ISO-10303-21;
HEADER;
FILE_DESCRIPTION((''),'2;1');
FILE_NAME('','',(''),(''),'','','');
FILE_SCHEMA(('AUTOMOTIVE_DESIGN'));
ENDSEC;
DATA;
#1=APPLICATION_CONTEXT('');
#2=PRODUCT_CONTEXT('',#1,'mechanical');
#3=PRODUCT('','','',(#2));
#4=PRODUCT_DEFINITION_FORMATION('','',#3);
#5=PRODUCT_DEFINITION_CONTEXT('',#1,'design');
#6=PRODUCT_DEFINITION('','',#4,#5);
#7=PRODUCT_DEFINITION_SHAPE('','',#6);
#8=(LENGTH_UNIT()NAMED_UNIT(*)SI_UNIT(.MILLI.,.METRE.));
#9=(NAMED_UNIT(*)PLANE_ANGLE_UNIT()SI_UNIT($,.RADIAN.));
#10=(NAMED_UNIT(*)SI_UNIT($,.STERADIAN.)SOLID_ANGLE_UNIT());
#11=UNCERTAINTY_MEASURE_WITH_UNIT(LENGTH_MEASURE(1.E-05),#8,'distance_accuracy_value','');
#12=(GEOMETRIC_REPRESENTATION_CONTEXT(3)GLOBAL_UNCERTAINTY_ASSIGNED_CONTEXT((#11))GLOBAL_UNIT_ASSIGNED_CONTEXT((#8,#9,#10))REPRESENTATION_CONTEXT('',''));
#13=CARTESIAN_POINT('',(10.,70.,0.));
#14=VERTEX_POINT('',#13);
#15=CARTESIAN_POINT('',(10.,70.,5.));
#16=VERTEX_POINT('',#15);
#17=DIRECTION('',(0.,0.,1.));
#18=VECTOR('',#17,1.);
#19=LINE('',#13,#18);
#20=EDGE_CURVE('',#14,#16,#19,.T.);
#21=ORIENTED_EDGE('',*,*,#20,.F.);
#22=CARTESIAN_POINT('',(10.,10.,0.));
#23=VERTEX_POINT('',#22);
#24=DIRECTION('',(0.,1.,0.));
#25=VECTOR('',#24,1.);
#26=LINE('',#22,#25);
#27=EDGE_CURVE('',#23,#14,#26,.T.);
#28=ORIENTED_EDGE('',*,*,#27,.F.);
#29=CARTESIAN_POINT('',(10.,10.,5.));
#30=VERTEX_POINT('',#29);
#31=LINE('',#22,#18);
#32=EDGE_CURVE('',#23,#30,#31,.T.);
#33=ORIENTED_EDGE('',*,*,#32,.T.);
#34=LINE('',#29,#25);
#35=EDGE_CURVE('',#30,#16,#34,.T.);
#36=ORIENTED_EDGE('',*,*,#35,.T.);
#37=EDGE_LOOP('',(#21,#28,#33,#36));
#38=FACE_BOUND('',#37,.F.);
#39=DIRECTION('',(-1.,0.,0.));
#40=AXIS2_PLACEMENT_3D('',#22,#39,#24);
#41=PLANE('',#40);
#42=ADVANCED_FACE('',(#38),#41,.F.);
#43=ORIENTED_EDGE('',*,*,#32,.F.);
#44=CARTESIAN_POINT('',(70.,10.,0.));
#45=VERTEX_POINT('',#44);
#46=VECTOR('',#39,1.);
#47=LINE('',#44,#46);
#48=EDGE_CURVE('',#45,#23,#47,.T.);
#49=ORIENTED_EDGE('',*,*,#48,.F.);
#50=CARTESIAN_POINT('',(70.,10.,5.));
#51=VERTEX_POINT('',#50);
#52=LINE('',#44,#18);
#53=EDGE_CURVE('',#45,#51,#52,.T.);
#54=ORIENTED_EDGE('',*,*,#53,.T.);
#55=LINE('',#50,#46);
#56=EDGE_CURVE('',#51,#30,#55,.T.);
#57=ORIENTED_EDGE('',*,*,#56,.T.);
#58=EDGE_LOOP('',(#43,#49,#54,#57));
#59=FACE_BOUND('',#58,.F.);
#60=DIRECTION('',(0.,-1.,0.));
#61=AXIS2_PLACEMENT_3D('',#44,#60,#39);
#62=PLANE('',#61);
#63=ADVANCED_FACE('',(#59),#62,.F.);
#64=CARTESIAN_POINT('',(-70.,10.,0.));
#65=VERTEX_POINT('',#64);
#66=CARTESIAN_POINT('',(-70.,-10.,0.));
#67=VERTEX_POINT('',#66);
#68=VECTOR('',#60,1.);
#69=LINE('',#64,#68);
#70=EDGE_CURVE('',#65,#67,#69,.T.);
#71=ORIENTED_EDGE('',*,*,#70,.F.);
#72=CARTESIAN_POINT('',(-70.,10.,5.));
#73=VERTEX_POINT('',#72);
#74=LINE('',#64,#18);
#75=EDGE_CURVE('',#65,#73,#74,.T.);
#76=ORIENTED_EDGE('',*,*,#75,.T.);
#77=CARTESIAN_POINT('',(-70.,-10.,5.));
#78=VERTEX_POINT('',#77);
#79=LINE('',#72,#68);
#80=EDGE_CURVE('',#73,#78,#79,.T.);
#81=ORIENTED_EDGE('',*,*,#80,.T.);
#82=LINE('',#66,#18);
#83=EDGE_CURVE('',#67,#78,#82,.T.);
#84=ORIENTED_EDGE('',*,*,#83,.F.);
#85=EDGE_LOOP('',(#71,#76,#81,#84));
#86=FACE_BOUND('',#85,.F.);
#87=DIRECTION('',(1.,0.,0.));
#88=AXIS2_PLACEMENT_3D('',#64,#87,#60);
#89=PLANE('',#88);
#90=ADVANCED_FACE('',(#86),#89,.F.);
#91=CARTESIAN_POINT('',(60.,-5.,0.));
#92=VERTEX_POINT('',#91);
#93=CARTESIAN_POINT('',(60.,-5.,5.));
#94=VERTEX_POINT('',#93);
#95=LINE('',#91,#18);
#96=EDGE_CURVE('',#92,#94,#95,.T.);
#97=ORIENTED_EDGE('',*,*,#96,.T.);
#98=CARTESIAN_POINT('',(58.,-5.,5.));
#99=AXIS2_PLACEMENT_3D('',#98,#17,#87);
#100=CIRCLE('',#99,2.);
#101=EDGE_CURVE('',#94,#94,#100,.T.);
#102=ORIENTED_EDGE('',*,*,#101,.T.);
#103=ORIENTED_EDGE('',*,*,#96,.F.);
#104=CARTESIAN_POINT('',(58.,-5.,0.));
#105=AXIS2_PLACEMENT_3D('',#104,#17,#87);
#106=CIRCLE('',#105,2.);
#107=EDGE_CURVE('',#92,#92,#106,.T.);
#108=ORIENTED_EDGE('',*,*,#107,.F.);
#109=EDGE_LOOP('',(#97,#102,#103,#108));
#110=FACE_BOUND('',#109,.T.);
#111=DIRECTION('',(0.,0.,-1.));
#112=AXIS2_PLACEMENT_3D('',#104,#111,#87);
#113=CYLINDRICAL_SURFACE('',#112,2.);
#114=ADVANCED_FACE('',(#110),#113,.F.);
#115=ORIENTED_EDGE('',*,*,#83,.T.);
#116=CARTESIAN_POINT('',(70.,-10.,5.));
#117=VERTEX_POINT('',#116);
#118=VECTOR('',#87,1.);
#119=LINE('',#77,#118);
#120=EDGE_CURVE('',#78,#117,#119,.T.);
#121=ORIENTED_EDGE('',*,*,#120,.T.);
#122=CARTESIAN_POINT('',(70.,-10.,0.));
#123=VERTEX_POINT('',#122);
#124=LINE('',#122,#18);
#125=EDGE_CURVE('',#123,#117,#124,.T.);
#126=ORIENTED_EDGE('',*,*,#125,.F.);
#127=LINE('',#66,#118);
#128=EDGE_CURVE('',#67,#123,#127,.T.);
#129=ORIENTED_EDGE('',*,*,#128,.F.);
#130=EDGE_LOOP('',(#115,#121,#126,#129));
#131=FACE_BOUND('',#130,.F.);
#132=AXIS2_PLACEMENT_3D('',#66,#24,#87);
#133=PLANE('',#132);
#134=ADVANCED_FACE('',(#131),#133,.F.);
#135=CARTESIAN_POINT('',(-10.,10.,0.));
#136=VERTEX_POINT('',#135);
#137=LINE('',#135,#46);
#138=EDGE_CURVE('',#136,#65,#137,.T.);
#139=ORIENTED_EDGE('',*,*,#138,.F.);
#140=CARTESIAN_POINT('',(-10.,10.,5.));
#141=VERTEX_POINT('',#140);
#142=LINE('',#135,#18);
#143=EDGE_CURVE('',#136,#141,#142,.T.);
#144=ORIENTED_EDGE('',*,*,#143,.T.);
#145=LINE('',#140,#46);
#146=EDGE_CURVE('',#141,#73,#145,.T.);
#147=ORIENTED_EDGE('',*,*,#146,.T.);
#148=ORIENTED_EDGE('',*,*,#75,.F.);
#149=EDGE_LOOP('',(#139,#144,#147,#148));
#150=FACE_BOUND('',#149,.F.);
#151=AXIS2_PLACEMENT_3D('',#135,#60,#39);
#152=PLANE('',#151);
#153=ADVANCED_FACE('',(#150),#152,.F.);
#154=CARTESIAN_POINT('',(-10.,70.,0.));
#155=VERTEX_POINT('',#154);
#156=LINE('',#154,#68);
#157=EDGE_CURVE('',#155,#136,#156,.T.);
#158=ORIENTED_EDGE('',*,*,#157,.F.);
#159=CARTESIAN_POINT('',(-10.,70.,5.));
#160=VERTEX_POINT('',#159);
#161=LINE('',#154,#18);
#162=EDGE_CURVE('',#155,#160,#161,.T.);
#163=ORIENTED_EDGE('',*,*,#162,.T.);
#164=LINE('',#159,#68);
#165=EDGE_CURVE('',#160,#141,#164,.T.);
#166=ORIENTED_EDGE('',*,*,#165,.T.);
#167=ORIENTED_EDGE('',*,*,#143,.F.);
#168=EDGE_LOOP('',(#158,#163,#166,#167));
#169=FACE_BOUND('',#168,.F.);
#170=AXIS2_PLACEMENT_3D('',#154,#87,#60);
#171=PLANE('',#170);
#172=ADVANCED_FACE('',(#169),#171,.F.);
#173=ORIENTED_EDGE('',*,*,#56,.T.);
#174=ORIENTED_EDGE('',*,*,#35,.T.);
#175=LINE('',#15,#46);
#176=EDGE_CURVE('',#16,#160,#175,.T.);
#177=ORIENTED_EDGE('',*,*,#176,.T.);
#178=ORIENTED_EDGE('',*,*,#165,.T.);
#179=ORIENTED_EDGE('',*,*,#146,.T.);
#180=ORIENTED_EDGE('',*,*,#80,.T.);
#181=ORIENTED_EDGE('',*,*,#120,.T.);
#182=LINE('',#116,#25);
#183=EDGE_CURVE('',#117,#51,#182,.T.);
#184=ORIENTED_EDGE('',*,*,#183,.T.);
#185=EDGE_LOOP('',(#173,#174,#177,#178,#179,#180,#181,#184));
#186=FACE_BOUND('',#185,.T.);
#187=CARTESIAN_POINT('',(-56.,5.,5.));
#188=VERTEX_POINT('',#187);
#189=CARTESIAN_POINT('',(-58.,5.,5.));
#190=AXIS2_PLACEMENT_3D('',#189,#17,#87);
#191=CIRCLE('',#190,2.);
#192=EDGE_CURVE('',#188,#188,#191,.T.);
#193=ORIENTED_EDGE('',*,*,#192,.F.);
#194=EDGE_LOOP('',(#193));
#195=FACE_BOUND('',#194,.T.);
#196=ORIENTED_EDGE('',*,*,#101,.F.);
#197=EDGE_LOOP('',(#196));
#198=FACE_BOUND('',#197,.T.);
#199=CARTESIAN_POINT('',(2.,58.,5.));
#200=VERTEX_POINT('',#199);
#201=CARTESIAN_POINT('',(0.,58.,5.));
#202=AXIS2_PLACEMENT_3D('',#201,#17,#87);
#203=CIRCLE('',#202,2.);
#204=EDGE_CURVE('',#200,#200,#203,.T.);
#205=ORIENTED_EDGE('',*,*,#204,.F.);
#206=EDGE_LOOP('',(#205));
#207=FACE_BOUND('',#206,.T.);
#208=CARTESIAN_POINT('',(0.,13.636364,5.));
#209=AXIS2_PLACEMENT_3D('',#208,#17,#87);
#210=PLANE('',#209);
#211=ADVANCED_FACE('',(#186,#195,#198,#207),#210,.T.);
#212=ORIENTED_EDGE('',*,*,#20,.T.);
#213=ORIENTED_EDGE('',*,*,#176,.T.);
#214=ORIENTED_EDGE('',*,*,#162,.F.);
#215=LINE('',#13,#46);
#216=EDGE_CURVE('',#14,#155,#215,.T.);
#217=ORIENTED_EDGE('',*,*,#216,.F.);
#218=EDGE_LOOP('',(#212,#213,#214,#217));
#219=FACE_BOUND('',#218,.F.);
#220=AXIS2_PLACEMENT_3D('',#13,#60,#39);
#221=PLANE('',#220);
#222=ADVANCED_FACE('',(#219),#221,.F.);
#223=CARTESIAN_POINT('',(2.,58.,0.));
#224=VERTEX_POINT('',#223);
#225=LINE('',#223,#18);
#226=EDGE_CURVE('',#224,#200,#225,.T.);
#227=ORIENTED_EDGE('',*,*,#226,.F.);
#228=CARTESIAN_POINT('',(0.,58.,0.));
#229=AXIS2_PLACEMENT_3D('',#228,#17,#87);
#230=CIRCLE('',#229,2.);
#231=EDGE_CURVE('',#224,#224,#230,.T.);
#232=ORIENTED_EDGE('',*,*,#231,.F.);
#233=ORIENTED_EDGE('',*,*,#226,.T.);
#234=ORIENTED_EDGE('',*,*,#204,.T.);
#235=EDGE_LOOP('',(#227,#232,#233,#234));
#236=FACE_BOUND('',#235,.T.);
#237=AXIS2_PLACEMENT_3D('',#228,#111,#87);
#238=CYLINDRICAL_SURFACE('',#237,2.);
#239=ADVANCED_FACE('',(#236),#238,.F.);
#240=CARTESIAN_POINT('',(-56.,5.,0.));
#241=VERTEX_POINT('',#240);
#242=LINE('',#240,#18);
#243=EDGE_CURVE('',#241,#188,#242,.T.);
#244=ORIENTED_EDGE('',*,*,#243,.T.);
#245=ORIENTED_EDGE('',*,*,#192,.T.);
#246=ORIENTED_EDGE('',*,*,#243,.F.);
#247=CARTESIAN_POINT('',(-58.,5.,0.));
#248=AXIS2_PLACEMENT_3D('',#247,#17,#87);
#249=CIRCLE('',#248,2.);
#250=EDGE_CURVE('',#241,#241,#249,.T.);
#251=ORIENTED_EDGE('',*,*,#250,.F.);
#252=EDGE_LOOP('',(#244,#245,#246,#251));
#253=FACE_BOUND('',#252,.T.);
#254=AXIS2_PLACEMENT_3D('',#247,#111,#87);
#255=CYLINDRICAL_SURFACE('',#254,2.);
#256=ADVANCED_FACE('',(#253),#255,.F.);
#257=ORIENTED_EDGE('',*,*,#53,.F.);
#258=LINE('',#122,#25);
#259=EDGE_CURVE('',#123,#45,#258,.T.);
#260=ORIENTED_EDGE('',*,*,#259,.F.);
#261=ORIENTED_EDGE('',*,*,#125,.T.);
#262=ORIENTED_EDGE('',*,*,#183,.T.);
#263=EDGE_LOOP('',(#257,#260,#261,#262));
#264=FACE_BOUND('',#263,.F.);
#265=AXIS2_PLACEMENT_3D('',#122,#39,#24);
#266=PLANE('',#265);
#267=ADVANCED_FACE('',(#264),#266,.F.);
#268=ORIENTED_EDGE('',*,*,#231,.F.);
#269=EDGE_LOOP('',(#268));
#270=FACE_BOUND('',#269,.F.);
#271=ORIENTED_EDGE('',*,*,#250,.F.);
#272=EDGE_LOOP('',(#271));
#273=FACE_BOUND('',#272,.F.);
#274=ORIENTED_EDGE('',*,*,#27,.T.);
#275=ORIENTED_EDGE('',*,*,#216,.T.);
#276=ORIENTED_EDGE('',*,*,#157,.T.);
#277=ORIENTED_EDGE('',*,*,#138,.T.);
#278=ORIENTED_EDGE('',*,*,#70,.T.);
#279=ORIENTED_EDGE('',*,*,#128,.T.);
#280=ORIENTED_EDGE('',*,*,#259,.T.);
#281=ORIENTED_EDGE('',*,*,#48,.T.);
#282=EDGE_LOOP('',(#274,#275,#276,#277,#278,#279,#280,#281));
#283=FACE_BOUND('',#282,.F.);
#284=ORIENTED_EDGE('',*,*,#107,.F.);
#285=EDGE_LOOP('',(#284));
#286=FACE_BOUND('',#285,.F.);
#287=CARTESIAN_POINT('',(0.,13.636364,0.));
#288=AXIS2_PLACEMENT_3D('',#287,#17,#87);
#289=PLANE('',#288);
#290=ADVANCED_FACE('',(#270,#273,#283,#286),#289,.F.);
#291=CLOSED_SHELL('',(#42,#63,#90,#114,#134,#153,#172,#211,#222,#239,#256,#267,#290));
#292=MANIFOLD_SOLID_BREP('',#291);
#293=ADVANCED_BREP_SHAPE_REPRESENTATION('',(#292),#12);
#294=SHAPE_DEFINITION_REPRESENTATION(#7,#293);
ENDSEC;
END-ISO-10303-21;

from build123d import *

# Parameters (mm, degrees)
F0_R     = 2
F1_DEPTH = 5


with BuildPart() as f1:
    # F0 (on Top) → F1 (new body)
    with BuildSketch(Plane.XY):
        Polygon((70, -10), (70, 10), (10, 10), (10, 70), (-10, 70), (-10, 10), (-70, 10), (-70, -10), align=None)
        with Locations((-58, 5)):
            Circle(F0_R, mode=Mode.SUBTRACT)
        with Locations((58, -5)):
            Circle(F0_R, mode=Mode.SUBTRACT)
        with Locations((0, 58)):
            Circle(F0_R, mode=Mode.SUBTRACT)
    extrude(amount=F1_DEPTH)


solid = f1.part
